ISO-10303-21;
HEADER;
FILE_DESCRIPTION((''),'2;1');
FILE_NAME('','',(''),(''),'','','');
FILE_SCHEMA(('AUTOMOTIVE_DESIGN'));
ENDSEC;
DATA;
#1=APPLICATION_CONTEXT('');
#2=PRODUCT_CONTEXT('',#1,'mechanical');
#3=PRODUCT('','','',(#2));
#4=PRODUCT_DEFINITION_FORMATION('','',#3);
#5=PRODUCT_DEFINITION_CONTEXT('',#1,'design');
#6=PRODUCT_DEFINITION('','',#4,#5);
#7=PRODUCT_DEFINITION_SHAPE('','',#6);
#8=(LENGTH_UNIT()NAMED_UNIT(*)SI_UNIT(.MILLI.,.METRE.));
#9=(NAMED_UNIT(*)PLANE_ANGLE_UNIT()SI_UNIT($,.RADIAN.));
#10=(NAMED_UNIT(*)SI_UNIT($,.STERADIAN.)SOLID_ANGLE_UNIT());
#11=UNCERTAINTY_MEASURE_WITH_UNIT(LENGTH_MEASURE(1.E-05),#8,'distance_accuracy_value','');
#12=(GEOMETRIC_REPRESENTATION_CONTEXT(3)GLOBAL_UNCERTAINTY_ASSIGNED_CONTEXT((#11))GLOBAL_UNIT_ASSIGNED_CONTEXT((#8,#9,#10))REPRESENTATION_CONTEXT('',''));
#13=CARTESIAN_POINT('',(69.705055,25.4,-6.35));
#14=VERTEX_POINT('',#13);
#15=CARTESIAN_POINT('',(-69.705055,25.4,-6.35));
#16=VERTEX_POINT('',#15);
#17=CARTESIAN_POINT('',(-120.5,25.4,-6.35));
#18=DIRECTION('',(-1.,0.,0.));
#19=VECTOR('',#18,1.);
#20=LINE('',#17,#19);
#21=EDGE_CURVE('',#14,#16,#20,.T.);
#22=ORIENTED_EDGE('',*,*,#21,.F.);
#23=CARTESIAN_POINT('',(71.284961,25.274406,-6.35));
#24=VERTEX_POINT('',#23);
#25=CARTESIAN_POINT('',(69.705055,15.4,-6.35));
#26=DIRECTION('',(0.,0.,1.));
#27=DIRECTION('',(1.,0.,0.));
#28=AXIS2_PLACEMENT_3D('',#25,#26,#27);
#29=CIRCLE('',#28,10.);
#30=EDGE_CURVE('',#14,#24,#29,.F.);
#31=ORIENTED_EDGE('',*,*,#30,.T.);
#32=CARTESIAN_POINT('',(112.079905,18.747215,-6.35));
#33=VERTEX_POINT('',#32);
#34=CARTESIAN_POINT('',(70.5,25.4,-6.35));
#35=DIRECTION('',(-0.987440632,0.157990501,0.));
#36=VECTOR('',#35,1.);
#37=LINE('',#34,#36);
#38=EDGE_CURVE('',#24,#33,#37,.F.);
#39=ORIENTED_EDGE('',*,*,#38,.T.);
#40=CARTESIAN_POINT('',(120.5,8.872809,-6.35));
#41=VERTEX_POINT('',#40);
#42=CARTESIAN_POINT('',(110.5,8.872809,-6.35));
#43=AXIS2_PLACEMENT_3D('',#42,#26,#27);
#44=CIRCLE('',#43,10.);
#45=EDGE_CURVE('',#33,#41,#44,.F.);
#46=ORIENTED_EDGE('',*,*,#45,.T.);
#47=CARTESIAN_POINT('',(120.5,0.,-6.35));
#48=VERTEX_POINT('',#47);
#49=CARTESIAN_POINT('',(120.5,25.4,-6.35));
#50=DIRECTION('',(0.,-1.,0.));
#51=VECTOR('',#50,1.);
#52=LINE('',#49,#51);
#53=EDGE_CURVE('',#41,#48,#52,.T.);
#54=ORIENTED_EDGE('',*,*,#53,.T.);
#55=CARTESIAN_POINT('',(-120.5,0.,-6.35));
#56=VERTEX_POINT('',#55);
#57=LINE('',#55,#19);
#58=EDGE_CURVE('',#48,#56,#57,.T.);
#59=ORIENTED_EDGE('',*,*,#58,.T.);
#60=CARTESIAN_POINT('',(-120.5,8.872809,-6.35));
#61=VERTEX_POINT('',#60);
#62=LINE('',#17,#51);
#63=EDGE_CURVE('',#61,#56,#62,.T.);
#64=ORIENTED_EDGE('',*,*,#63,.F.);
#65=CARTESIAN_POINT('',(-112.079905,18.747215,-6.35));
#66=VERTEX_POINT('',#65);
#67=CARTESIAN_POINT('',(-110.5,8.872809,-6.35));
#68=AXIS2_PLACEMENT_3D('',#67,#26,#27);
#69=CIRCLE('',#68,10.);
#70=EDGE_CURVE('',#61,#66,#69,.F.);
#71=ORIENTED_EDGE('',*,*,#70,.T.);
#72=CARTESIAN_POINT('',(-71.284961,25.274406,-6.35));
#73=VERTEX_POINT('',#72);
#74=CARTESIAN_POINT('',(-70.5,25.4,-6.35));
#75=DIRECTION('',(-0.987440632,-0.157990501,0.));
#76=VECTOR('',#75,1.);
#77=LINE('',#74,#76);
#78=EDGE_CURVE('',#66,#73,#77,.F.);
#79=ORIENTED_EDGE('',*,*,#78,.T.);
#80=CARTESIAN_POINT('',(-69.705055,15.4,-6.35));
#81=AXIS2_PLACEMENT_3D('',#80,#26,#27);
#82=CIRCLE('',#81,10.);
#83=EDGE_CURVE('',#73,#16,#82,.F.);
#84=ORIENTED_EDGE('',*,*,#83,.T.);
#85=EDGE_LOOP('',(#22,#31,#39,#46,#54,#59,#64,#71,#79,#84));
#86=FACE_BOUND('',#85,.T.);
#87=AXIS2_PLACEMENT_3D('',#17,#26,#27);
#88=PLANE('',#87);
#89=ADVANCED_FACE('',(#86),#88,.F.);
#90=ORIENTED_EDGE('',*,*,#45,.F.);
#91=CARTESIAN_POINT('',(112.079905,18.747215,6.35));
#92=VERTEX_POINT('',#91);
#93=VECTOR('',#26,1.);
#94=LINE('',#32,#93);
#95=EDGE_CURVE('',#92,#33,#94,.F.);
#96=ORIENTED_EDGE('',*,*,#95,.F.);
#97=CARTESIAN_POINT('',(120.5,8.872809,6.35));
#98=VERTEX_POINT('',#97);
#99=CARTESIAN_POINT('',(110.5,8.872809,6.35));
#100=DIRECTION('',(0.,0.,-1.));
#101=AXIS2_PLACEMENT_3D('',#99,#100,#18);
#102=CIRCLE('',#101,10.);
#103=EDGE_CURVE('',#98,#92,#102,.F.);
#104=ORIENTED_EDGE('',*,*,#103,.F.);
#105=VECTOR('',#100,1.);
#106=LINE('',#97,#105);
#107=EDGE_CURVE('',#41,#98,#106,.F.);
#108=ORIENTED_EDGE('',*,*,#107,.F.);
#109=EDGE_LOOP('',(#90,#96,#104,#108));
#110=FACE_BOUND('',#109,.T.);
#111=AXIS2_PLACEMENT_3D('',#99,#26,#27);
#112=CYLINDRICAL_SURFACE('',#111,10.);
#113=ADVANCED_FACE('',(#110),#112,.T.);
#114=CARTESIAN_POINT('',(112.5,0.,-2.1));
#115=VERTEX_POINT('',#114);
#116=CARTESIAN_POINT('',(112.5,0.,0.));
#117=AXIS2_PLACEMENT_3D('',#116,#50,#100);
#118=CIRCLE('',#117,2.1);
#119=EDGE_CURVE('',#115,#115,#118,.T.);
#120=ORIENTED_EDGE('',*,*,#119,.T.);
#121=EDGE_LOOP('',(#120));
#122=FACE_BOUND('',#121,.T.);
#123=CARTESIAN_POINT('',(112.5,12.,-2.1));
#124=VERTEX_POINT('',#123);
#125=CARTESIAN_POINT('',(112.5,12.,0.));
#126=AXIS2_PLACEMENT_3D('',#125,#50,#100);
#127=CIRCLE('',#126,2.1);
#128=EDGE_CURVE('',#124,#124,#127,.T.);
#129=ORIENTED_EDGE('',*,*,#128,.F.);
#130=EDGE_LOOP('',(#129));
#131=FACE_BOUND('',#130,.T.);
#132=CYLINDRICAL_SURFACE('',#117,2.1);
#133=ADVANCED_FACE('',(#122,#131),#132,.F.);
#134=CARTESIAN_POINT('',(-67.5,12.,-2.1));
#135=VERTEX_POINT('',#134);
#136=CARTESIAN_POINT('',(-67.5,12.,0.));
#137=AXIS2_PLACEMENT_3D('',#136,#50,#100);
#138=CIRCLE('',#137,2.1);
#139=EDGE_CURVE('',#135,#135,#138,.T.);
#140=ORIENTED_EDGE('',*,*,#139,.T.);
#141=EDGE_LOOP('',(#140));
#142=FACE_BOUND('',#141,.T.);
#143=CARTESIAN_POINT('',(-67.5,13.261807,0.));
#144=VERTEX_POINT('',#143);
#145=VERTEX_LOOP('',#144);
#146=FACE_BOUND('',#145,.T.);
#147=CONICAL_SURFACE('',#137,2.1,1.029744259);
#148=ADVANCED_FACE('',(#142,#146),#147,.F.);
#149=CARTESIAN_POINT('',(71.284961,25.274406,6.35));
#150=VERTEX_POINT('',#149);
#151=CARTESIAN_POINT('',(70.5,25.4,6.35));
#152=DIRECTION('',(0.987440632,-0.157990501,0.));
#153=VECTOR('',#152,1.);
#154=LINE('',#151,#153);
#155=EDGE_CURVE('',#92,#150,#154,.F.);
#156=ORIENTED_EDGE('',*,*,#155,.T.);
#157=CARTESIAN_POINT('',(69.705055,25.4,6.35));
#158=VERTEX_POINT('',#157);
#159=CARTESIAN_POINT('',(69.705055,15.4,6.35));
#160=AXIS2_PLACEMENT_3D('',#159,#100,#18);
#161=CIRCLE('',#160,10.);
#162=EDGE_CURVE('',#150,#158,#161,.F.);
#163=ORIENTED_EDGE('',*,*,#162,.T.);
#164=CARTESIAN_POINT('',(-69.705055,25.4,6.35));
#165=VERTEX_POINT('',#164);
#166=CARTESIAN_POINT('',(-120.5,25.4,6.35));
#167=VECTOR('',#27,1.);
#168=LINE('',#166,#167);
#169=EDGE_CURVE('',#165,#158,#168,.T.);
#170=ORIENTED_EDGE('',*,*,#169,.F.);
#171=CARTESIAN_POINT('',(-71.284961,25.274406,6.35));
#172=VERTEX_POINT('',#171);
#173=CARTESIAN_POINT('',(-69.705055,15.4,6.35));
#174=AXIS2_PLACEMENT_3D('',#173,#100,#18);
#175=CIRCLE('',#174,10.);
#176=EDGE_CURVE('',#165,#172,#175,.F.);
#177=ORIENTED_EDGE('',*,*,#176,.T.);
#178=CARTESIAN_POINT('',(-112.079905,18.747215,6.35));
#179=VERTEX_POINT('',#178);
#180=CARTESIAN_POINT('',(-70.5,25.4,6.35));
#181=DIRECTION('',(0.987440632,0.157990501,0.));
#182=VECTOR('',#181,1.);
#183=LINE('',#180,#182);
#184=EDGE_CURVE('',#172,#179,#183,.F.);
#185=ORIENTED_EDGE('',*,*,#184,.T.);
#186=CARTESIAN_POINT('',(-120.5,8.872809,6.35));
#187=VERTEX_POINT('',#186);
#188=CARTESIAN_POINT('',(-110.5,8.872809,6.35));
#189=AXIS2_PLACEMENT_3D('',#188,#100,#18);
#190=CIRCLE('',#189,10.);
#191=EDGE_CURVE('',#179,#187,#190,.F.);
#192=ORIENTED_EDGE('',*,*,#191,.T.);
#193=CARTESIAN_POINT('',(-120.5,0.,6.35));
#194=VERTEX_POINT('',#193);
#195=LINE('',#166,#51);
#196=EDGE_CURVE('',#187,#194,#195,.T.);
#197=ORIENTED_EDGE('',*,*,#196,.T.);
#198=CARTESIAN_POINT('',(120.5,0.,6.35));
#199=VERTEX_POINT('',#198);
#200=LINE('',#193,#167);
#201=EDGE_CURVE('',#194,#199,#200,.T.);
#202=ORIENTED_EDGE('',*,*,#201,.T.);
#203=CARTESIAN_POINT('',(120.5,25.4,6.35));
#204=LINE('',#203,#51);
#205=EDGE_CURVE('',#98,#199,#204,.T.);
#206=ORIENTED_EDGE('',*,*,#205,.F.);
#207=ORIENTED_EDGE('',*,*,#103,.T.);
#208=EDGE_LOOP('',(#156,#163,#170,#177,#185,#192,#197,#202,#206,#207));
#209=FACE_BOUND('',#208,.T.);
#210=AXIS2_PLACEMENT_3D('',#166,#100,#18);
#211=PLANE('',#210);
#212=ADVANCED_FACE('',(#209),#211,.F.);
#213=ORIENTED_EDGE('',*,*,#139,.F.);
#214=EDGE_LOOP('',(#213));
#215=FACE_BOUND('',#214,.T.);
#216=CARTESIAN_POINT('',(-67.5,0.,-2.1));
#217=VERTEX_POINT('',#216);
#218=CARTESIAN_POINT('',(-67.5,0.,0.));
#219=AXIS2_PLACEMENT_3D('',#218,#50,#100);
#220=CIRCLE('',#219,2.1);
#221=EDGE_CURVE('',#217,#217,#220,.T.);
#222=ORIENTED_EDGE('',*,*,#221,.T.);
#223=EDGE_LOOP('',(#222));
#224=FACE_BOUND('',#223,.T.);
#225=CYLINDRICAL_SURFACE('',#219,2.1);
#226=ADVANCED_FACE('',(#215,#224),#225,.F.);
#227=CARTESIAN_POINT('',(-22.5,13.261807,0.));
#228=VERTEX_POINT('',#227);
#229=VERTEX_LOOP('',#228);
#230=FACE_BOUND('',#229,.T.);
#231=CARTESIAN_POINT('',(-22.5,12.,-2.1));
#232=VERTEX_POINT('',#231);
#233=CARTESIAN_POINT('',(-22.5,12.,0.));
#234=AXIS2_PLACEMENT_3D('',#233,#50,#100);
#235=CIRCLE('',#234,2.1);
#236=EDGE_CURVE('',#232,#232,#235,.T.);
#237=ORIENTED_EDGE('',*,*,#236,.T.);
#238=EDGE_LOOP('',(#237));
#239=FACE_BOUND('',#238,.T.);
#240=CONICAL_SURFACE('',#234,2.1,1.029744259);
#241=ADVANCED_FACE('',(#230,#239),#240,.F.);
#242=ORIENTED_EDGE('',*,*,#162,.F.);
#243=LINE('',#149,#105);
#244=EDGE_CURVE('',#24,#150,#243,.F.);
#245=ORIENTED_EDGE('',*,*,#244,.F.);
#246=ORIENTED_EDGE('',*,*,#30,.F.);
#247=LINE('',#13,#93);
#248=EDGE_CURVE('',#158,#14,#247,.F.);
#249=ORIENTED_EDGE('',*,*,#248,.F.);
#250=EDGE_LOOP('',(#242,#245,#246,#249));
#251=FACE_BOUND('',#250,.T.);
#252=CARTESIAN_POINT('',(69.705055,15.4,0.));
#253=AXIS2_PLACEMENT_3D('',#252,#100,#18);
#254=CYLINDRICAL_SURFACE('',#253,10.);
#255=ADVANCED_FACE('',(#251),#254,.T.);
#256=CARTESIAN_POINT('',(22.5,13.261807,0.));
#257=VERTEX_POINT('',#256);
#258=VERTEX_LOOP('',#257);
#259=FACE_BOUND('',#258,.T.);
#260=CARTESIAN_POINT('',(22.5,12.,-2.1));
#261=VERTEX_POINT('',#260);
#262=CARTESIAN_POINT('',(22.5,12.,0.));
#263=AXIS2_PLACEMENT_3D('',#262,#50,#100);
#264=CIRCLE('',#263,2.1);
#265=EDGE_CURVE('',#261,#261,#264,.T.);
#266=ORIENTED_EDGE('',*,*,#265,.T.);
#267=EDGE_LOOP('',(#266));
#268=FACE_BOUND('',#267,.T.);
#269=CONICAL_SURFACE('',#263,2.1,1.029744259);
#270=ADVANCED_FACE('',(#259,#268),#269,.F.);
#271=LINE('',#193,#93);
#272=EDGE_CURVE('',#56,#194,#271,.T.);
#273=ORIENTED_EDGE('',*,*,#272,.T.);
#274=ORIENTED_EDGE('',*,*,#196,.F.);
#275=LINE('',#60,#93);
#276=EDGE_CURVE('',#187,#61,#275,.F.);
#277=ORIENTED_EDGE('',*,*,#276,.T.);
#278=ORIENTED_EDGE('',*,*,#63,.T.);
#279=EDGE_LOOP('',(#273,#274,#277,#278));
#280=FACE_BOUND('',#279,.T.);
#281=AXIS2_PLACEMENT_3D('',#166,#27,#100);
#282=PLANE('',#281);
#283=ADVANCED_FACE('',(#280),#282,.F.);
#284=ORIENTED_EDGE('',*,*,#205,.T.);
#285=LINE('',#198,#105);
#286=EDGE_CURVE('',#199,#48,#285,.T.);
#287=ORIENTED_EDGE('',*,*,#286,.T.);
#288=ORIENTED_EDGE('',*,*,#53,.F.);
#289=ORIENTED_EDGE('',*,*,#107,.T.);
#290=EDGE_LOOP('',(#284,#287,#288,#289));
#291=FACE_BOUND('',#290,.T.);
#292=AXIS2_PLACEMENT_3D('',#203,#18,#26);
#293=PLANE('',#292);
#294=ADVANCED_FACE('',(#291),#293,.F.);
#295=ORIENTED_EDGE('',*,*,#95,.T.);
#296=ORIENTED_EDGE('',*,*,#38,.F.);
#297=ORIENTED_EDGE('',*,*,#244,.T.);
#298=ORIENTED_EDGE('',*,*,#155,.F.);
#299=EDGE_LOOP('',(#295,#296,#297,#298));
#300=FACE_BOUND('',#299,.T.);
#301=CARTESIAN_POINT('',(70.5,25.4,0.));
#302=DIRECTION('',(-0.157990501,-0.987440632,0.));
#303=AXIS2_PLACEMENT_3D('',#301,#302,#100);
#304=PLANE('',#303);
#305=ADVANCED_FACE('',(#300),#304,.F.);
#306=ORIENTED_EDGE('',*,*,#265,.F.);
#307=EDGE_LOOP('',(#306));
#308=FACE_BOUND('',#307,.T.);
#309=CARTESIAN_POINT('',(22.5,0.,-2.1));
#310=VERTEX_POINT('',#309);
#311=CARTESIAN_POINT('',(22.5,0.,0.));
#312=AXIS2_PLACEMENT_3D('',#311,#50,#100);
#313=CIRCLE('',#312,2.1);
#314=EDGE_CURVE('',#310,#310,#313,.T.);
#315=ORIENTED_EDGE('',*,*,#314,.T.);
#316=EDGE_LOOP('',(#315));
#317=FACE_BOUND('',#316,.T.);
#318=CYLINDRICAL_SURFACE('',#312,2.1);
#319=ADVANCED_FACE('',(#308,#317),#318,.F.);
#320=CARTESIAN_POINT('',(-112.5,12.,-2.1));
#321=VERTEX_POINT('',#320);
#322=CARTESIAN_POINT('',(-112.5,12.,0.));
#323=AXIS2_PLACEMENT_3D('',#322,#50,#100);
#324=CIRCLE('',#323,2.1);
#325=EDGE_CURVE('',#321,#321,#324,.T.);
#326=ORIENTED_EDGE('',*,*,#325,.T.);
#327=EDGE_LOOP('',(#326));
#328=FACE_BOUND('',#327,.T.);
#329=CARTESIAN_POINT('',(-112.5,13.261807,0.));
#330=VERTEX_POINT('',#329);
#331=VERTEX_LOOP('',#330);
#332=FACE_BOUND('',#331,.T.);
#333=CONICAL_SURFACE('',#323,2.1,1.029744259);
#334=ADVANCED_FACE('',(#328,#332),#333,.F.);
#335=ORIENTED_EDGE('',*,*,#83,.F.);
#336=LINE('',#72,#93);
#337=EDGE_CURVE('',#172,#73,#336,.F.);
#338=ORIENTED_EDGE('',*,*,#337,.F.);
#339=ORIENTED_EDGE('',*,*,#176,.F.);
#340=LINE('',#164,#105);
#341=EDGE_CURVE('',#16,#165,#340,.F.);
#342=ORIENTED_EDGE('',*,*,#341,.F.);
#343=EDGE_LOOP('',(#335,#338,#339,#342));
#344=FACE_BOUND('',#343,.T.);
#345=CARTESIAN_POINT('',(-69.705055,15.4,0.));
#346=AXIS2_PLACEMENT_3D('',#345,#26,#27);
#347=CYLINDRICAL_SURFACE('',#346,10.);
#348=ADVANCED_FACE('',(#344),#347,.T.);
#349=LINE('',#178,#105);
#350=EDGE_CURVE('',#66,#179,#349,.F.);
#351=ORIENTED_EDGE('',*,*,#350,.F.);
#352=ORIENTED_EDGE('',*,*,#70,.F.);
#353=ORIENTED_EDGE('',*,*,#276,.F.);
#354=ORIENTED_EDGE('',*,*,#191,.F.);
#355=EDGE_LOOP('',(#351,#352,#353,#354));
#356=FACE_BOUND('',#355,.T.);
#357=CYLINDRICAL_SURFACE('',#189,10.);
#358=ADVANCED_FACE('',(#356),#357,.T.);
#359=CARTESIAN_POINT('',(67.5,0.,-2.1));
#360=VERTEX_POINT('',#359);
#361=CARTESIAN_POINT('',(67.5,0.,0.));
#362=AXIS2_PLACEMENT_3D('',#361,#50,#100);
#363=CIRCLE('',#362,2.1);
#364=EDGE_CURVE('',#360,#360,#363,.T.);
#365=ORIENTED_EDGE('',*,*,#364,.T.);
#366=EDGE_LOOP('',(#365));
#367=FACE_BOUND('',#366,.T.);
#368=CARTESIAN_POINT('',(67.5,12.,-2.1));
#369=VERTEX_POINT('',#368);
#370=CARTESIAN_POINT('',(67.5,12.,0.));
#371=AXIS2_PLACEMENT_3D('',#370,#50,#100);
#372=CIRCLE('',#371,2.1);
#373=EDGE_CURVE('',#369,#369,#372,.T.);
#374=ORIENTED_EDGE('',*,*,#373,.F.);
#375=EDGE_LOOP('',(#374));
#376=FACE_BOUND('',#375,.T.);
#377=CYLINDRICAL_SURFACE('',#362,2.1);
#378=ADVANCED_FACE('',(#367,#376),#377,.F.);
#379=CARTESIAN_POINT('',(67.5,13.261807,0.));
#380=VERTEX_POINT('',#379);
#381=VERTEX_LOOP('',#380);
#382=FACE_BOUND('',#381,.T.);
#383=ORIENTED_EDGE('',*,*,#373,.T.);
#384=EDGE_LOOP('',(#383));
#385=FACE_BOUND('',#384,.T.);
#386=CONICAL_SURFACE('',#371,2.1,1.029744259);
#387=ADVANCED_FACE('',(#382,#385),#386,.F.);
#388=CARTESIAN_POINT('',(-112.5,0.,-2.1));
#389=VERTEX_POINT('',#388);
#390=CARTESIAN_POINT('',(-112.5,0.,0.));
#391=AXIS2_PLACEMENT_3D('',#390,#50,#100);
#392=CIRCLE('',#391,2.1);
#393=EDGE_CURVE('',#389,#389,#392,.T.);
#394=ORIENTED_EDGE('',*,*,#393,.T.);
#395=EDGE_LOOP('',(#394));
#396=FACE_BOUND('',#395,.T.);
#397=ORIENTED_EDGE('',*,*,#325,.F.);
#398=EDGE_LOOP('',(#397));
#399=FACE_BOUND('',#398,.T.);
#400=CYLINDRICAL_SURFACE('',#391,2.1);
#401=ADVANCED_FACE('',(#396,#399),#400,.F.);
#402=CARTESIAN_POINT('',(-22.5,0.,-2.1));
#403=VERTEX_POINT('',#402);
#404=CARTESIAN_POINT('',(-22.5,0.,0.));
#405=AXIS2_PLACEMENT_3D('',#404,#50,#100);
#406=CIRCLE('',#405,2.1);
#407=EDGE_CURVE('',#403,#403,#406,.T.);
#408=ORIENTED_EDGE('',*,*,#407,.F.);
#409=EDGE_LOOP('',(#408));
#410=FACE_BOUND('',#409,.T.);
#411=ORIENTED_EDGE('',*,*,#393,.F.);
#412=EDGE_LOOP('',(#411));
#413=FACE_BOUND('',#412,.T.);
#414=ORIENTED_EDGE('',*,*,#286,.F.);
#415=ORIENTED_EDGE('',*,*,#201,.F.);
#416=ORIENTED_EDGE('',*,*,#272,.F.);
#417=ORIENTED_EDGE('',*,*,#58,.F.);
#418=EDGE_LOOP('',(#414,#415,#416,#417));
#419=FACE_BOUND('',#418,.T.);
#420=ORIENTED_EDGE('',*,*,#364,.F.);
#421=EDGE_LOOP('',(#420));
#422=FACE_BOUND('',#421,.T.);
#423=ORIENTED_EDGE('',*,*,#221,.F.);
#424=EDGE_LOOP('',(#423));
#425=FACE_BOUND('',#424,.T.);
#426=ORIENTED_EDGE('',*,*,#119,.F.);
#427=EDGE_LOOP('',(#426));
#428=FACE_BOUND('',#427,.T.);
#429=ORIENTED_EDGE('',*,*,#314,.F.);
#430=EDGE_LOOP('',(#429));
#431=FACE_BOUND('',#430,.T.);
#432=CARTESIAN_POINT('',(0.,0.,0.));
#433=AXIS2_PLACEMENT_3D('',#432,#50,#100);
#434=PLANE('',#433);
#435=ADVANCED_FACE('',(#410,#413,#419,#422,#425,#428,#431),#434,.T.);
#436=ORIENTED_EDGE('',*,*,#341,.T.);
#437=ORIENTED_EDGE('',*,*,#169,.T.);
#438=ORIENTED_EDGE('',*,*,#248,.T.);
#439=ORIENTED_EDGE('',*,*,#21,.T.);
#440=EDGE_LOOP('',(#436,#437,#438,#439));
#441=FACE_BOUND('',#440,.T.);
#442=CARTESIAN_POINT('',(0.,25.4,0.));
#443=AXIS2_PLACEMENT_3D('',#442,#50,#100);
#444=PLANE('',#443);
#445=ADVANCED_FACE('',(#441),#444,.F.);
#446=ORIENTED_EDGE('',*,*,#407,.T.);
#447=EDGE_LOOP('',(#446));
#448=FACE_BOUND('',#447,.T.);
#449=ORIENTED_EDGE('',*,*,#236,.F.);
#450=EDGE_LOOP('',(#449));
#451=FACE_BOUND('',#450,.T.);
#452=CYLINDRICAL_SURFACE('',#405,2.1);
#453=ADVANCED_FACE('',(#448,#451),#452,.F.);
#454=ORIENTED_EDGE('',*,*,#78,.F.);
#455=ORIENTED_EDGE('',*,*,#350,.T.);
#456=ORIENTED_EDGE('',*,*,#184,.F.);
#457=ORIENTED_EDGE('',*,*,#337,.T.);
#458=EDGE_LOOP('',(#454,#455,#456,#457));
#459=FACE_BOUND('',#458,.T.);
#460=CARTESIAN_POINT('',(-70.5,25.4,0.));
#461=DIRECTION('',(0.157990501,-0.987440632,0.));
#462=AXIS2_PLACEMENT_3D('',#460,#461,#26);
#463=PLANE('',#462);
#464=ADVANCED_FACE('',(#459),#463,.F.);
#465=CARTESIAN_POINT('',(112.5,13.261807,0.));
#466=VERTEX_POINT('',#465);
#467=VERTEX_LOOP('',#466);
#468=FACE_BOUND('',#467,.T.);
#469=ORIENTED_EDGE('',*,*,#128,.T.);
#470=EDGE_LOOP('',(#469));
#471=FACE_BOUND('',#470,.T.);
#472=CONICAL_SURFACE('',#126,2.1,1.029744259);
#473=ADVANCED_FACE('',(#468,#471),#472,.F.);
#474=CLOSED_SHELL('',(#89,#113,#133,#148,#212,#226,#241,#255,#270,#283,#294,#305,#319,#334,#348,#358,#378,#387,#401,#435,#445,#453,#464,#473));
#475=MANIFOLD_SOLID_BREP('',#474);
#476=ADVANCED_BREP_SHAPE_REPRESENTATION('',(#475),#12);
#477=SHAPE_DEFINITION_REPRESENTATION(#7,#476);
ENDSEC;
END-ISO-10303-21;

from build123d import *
from OCP.BRepFilletAPI import BRepFilletAPI_MakeChamfer

# Parameters (mm, degrees)
SKETCH1_W                 = 241
SKETCH1_H                 = 12.7
BOSS_EXTRUDE1_DEPTH       = 25.4
CHAMFER1_SIZE             = 8
CHAMFER1_SIZE2            = 50
M5X0_8_TAPPED_HOLE1_D     = 4.2
M5X0_8_TAPPED_HOLE1_DEPTH = 12
M5X0_8_TAPPED_HOLE1_TIP   = 1.2618073
FILLET1_R                 = 10


with BuildPart() as part:
    # Sketch1 → Boss-Extrude1 (new body)
    with BuildSketch(Plane(origin=(0, 0, 0), x_dir=(1, 0, 0), z_dir=(0, 1, 0))):
        Rectangle(SKETCH1_W, SKETCH1_H)
    extrude(amount=BOSS_EXTRUDE1_DEPTH)

    # Chamfer1: one chamfer whose edges measure the first distance from different faces: ONE call of the kernel's chamfer builder (chamfer() names one face for all edges)
    chamfer1_edges_1 = [part.edges().sort_by_distance(p)[0] for p in [
        (-120.5, 25.4, 0),
    ]]
    chamfer1_side_1 = [part.faces().sort_by_distance(p)[0] for p in [
        (-120.5, 12.7, 0),
    ]]
    chamfer1_edges_2 = [part.edges().sort_by_distance(p)[0] for p in [
        (120.5, 25.4, 0),
    ]]
    chamfer1_side_2 = [part.faces().sort_by_distance(p)[0] for p in [
        (120.5, 12.7, 0),
    ]]
    chamfer1 = BRepFilletAPI_MakeChamfer(part.part.solid().wrapped)
    for e in chamfer1_edges_1:
        chamfer1.Add(CHAMFER1_SIZE, CHAMFER1_SIZE2, e.wrapped, chamfer1_side_1[0].wrapped)  # the first distance lies on this face
    for e in chamfer1_edges_2:
        chamfer1.Add(CHAMFER1_SIZE, CHAMFER1_SIZE2, e.wrapped, chamfer1_side_2[0].wrapped)  # the first distance lies on this face
    add(Compound.cast(chamfer1.Shape()), mode=Mode.REPLACE)

    # M5x0.8 Tapped Hole1
    with Locations(Plane(origin=(0, 0, 0), x_dir=(-1, 0, 0), z_dir=(0, -1, 0))):
        with Locations((112.5, 0), (67.5, 0), (22.5, 0), (-22.5, 0), (-67.5, 0), (-112.5, 0)):
            Hole(M5X0_8_TAPPED_HOLE1_D / 2, depth=M5X0_8_TAPPED_HOLE1_DEPTH)
            with Locations((0, 0, -(M5X0_8_TAPPED_HOLE1_DEPTH + M5X0_8_TAPPED_HOLE1_TIP / 2))):  # 118° drill point
                Cone(0, M5X0_8_TAPPED_HOLE1_D / 2, M5X0_8_TAPPED_HOLE1_TIP, mode=Mode.SUBTRACT)

    # Fillet1
    fillet1_edges = [part.edges().sort_by_distance(p)[0] for p in [
        (-70.5, 25.4, 0),
        (70.5, 25.4, 0),
        (120.5, 17.4, 0),
        (-120.5, 17.4, 0),
    ]]
    fillet(fillet1_edges, radius=FILLET1_R)


solid = part.part
